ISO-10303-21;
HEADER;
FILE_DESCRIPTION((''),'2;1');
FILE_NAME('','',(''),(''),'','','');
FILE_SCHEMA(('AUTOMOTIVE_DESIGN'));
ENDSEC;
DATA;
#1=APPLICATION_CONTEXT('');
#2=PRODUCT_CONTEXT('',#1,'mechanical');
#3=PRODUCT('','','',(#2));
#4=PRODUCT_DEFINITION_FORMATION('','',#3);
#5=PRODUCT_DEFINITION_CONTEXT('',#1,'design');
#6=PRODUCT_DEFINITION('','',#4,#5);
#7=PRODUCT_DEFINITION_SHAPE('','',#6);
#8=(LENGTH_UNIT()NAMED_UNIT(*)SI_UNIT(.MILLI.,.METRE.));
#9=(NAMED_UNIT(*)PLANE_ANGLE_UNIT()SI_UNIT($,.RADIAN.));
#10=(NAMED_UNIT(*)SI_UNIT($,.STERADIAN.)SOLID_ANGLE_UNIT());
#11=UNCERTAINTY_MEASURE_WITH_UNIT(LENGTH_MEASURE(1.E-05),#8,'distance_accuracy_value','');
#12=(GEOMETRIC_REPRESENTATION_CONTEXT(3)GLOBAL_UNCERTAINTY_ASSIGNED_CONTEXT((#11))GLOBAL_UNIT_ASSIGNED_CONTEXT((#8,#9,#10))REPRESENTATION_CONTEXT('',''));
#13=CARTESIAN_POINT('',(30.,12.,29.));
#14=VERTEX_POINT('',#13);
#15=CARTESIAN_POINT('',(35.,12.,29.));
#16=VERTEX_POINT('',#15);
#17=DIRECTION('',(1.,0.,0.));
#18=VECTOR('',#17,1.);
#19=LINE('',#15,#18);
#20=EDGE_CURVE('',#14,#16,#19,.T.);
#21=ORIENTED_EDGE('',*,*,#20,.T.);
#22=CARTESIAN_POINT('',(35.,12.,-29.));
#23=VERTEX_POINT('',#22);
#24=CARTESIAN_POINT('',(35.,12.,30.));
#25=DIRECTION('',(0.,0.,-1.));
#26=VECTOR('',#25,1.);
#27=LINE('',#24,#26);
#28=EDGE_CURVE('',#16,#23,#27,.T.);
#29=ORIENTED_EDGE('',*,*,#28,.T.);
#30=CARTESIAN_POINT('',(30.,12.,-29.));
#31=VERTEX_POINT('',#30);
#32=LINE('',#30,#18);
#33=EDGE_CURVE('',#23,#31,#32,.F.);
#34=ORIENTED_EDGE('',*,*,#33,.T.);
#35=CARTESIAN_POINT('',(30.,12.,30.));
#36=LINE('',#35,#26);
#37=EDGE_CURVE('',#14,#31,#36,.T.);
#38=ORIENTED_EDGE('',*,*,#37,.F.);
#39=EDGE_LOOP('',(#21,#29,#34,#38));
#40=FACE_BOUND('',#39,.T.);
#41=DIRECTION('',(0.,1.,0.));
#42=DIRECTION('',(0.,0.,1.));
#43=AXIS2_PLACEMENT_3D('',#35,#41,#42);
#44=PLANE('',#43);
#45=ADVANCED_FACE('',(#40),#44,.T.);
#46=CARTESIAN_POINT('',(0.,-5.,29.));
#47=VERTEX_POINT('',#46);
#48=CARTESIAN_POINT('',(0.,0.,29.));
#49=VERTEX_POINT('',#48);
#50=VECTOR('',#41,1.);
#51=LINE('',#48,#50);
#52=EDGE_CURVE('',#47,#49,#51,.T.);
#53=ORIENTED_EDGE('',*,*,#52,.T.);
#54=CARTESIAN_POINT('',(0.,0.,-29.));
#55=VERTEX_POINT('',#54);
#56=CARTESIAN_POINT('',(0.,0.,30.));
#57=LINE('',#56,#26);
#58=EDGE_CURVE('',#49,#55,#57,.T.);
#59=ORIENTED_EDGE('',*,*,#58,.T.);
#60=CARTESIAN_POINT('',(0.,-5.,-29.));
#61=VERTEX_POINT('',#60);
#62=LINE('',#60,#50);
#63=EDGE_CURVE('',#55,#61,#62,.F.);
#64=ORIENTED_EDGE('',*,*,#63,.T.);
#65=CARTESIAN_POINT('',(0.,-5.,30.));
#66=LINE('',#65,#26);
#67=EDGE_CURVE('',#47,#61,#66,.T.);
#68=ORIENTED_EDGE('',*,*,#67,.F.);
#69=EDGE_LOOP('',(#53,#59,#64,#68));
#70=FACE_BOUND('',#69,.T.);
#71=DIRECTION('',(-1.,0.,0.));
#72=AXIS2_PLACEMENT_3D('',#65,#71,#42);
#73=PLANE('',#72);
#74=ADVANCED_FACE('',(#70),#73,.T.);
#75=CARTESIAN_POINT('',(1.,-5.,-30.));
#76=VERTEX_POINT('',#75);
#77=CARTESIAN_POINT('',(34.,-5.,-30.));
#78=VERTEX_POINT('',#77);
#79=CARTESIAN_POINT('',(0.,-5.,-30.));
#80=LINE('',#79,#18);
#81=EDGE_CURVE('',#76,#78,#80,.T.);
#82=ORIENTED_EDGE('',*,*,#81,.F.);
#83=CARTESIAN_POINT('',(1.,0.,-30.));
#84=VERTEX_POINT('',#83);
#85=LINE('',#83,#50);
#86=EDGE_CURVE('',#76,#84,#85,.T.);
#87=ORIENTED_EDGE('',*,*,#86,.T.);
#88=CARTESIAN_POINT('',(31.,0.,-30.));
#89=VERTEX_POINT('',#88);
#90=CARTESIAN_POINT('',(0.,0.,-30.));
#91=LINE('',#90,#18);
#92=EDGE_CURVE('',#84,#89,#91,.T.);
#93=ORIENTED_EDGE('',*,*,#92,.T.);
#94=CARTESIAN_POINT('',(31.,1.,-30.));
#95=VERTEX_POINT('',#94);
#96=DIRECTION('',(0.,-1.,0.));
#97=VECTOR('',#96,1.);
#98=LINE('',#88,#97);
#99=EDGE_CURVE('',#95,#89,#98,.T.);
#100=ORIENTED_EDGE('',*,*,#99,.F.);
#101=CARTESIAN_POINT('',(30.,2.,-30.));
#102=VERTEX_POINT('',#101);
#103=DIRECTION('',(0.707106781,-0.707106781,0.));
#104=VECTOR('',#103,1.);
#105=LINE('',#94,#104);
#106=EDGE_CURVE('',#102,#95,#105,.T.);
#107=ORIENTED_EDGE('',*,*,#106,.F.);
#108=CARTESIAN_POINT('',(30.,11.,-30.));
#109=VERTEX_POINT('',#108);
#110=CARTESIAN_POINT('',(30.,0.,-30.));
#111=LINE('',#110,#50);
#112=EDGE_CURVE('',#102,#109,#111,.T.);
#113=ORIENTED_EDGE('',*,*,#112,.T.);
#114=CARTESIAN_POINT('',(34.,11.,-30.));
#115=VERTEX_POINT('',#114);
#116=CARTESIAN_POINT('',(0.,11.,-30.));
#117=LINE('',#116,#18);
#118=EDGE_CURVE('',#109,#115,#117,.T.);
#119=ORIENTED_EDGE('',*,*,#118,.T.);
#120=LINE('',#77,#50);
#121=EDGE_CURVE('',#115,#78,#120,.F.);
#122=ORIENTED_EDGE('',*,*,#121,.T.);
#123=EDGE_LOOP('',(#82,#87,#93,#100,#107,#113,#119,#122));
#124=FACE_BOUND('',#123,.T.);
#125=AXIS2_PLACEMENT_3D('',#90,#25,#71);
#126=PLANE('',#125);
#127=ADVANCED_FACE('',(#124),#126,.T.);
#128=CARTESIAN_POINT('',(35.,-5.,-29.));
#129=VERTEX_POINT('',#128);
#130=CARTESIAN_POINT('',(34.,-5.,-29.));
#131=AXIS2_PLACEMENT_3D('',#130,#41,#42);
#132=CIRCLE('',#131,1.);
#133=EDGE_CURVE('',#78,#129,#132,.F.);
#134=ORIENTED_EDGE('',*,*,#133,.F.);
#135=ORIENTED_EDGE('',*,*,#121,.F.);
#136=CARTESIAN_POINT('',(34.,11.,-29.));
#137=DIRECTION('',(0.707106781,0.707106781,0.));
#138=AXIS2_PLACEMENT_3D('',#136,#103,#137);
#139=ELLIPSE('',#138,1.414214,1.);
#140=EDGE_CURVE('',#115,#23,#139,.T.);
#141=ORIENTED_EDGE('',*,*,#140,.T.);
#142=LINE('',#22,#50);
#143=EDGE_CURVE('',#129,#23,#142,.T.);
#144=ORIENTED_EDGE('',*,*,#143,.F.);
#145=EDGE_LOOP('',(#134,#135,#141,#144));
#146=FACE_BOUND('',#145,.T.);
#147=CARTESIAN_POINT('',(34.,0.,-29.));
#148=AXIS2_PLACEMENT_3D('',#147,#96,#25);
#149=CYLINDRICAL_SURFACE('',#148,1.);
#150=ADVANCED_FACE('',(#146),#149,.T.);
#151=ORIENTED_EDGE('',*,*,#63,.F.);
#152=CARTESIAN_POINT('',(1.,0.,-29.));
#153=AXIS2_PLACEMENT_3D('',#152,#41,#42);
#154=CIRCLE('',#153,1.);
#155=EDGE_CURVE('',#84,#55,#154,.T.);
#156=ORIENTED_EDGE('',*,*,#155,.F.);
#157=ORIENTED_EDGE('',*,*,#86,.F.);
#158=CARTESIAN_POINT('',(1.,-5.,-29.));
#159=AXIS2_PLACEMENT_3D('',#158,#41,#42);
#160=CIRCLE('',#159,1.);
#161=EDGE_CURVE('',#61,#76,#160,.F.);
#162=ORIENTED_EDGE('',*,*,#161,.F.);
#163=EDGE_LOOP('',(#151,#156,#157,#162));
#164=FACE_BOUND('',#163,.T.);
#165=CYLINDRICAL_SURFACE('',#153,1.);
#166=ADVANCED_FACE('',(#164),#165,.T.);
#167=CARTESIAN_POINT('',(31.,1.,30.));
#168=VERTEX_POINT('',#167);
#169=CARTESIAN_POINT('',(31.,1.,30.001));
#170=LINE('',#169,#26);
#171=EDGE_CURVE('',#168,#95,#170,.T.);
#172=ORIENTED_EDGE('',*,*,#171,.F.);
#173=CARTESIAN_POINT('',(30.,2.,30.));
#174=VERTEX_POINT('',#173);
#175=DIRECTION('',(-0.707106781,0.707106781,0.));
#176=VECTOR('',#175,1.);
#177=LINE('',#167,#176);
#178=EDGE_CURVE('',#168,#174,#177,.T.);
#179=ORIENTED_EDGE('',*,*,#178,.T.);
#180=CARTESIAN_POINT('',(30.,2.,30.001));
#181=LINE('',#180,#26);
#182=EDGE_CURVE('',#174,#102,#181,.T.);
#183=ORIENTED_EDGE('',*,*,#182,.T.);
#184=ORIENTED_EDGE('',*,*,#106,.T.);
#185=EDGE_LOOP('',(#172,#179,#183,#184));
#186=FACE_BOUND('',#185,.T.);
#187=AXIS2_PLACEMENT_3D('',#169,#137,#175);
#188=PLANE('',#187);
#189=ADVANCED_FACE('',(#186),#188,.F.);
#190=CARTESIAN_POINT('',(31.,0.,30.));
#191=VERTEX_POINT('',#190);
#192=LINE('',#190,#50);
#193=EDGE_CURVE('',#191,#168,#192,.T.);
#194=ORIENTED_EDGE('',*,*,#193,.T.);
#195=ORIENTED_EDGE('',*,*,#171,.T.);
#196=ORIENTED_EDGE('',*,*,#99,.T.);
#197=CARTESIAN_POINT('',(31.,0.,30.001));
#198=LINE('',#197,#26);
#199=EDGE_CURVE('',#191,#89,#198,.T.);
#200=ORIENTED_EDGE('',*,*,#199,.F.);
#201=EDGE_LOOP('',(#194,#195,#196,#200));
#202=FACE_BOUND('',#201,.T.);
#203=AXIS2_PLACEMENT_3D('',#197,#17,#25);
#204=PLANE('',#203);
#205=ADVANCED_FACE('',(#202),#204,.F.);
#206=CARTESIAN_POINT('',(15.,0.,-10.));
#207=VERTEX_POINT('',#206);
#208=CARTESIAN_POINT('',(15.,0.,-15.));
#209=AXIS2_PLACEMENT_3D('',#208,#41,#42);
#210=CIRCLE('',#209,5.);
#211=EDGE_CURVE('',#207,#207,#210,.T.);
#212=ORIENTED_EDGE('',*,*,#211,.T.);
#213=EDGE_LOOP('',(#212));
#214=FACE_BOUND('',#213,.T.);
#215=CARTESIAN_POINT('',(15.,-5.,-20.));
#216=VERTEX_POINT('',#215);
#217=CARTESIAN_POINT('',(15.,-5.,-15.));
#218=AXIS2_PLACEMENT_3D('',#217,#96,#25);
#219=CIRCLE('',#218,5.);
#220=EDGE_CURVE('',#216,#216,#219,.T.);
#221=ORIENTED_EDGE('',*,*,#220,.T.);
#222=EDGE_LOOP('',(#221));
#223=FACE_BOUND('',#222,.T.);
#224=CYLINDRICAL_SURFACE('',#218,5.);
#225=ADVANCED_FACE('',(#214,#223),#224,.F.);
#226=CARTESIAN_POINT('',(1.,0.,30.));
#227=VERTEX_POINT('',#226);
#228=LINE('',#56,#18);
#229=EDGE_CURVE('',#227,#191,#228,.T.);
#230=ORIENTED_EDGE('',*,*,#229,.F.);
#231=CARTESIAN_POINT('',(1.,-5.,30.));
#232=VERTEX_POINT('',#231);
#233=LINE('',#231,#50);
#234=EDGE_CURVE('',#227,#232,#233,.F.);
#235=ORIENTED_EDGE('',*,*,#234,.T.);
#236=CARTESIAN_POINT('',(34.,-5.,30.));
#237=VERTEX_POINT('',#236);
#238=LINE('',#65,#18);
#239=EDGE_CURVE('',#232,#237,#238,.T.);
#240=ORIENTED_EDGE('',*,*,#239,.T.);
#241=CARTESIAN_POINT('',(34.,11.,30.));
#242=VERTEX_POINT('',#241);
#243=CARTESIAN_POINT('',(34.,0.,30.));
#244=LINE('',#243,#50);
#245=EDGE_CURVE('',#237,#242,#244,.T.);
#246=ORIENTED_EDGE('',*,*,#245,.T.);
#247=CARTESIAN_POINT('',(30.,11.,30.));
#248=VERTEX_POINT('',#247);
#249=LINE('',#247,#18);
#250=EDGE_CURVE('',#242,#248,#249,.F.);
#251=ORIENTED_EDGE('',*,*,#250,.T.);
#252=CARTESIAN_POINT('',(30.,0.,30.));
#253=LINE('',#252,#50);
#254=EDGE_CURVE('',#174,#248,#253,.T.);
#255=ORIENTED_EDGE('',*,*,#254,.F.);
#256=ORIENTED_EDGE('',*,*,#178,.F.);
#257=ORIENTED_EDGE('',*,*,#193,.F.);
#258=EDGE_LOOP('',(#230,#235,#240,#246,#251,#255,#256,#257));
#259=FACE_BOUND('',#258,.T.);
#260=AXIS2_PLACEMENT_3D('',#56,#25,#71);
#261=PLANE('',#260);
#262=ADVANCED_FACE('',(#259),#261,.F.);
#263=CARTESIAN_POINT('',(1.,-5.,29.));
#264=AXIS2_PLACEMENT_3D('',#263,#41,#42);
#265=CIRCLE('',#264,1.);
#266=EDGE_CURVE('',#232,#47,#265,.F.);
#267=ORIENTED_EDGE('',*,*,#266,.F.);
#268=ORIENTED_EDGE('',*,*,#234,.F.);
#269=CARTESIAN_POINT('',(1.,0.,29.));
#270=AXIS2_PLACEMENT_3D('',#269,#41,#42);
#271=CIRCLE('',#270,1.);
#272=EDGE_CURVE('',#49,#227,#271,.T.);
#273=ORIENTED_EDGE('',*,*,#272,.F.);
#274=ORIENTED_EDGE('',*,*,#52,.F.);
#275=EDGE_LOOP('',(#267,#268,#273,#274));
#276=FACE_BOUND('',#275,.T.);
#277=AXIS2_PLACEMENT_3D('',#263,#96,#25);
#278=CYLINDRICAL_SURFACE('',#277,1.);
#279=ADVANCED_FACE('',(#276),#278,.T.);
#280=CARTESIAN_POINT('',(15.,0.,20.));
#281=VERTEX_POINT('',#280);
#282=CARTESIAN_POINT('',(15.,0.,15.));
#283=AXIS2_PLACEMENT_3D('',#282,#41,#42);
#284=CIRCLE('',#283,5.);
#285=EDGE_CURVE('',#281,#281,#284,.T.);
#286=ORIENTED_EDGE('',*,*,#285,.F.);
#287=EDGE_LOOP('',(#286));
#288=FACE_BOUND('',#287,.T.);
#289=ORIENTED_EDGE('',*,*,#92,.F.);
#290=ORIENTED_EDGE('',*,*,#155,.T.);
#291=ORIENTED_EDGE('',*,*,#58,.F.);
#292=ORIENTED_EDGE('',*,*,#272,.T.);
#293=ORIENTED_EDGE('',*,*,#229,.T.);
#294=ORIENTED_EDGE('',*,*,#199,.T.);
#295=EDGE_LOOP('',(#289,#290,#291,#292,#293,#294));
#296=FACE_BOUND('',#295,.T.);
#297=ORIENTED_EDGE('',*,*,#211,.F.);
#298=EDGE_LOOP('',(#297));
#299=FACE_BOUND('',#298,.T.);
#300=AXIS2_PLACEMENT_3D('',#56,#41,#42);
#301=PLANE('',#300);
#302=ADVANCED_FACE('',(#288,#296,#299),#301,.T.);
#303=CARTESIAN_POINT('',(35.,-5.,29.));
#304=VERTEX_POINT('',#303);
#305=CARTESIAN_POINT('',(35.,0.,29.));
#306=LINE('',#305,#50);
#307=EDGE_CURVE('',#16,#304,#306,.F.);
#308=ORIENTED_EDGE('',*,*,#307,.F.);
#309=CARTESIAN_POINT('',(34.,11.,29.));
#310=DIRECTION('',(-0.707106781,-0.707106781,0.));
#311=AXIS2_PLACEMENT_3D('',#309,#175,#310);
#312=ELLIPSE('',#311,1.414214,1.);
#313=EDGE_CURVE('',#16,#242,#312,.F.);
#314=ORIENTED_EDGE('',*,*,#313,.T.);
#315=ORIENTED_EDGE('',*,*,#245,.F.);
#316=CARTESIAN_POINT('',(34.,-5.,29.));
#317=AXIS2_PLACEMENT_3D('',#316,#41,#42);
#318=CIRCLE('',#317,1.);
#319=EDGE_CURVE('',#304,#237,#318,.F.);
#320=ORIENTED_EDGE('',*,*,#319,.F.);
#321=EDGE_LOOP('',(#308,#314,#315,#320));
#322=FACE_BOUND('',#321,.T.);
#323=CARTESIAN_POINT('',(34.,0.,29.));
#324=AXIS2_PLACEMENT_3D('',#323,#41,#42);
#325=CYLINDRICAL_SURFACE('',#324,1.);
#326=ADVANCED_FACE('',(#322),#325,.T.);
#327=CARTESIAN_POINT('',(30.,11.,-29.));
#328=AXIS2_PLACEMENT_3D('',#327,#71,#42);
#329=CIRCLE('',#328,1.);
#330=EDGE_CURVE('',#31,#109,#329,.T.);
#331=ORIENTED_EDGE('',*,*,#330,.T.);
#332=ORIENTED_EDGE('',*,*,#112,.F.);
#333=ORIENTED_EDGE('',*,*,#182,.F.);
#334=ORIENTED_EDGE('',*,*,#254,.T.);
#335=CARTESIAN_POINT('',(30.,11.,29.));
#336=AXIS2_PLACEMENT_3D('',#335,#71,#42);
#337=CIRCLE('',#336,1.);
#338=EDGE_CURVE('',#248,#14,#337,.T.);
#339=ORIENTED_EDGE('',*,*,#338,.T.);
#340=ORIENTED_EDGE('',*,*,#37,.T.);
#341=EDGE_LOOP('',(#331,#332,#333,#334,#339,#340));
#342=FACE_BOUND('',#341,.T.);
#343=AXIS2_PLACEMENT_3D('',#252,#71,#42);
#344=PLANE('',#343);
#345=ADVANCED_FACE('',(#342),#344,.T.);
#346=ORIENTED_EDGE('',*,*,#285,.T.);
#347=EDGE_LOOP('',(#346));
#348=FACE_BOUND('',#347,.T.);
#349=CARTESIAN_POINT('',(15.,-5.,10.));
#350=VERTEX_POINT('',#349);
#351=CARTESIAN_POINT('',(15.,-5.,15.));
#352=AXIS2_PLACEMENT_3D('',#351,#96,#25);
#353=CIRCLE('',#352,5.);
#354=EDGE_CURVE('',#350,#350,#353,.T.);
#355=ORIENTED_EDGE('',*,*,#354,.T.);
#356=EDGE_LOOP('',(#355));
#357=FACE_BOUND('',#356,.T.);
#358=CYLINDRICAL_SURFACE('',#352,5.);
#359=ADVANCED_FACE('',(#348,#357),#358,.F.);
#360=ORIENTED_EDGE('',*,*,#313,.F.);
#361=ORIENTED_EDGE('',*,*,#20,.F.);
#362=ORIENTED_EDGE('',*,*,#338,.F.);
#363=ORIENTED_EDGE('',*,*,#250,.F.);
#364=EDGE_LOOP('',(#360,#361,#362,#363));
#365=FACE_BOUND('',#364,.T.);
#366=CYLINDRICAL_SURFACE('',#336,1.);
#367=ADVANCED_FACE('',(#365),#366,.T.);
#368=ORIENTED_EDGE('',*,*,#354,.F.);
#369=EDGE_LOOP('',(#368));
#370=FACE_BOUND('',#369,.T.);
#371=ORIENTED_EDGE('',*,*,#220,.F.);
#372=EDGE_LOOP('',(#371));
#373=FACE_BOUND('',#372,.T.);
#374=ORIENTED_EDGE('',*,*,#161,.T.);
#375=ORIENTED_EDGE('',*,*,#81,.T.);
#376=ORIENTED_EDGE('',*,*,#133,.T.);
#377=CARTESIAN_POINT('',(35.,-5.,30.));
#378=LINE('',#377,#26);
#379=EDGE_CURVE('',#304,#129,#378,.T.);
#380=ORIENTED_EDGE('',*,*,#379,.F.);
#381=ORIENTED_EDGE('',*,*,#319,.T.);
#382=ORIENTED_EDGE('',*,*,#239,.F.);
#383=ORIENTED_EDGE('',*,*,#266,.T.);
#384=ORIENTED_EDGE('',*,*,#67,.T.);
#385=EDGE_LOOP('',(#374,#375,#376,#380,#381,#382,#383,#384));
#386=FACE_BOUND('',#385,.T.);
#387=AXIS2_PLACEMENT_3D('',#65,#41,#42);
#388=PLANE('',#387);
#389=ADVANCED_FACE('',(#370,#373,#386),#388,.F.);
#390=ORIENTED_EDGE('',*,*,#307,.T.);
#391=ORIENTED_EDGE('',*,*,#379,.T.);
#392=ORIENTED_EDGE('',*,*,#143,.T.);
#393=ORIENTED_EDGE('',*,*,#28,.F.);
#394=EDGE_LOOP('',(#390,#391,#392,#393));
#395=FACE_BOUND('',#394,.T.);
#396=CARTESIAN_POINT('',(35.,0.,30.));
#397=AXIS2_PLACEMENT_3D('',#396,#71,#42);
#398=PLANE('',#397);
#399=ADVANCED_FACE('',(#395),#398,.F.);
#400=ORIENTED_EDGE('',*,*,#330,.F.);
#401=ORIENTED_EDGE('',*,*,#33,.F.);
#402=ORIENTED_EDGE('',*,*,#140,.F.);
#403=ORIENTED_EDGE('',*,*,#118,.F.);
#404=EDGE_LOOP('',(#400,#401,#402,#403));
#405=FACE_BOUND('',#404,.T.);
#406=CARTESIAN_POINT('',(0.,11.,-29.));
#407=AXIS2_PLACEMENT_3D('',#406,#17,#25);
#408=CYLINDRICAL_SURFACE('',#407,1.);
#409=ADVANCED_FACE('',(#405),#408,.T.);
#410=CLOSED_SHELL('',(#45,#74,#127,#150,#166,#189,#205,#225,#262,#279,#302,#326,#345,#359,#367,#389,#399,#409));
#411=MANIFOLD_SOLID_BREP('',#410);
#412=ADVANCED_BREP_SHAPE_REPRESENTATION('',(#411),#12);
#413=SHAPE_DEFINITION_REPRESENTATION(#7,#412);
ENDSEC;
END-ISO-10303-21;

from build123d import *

# Parameters (mm, degrees)
EXTRUDE_THIN1_DEPTH  = 30
M8_CLEARANCE_HOLE1_D = 10
CUT_EXTRUDE1_REACH   = 72.491
FILLET1_R            = 1


with BuildPart() as part:
    # Sketch1 → Extrude-Thin1 (new, symmetric)
    with BuildSketch(Plane.XY):
        Polygon((0, 0), (30, 0), (30, 12), (35, 12), (35, -5), (0, -5), align=None)
    extrude(amount=EXTRUDE_THIN1_DEPTH, both=True)

    # M8 Clearance Hole1 (through all)
    with Locations(Plane(origin=(0, -5, 0), x_dir=(-1, 0, 0), z_dir=(0, -1, 0))):
        with Locations((-15, 15), (-15, -15)):
            Hole(M8_CLEARANCE_HOLE1_D / 2)

    # Sketch5 → Cut-Extrude1 (cut, up to next)
    with BuildSketch(Plane(origin=(0, 0, -30), x_dir=(-1, 0, 0), z_dir=(0, 0, -1)), mode=Mode.PRIVATE) as cut_extrude1_sk1:
        Polygon((-30, 0), (-31, 0), (-31, 1), (-30, 2), align=None)
    cut_extrude1_tool1 = extrude(cut_extrude1_sk1.sketch, amount=-CUT_EXTRUDE1_REACH, mode=Mode.PRIVATE) & part.part
    add(cut_extrude1_tool1.solids().sort_by_distance((30.444444, 0.777778, -30))[0], mode=Mode.SUBTRACT)

    # Fillet1
    fillet1_edges = [part.edges().sort_by_distance(p)[0] for p in [
        (0, -2.5, 30),
        (35, 3.5, 30),
        (0, -2.5, -30),
        (32.5, 12, -30),
        (35, 3.5, -30),
        (32.5, 12, 30),
    ]]
    fillet(fillet1_edges, radius=FILLET1_R)


solid = part.part
